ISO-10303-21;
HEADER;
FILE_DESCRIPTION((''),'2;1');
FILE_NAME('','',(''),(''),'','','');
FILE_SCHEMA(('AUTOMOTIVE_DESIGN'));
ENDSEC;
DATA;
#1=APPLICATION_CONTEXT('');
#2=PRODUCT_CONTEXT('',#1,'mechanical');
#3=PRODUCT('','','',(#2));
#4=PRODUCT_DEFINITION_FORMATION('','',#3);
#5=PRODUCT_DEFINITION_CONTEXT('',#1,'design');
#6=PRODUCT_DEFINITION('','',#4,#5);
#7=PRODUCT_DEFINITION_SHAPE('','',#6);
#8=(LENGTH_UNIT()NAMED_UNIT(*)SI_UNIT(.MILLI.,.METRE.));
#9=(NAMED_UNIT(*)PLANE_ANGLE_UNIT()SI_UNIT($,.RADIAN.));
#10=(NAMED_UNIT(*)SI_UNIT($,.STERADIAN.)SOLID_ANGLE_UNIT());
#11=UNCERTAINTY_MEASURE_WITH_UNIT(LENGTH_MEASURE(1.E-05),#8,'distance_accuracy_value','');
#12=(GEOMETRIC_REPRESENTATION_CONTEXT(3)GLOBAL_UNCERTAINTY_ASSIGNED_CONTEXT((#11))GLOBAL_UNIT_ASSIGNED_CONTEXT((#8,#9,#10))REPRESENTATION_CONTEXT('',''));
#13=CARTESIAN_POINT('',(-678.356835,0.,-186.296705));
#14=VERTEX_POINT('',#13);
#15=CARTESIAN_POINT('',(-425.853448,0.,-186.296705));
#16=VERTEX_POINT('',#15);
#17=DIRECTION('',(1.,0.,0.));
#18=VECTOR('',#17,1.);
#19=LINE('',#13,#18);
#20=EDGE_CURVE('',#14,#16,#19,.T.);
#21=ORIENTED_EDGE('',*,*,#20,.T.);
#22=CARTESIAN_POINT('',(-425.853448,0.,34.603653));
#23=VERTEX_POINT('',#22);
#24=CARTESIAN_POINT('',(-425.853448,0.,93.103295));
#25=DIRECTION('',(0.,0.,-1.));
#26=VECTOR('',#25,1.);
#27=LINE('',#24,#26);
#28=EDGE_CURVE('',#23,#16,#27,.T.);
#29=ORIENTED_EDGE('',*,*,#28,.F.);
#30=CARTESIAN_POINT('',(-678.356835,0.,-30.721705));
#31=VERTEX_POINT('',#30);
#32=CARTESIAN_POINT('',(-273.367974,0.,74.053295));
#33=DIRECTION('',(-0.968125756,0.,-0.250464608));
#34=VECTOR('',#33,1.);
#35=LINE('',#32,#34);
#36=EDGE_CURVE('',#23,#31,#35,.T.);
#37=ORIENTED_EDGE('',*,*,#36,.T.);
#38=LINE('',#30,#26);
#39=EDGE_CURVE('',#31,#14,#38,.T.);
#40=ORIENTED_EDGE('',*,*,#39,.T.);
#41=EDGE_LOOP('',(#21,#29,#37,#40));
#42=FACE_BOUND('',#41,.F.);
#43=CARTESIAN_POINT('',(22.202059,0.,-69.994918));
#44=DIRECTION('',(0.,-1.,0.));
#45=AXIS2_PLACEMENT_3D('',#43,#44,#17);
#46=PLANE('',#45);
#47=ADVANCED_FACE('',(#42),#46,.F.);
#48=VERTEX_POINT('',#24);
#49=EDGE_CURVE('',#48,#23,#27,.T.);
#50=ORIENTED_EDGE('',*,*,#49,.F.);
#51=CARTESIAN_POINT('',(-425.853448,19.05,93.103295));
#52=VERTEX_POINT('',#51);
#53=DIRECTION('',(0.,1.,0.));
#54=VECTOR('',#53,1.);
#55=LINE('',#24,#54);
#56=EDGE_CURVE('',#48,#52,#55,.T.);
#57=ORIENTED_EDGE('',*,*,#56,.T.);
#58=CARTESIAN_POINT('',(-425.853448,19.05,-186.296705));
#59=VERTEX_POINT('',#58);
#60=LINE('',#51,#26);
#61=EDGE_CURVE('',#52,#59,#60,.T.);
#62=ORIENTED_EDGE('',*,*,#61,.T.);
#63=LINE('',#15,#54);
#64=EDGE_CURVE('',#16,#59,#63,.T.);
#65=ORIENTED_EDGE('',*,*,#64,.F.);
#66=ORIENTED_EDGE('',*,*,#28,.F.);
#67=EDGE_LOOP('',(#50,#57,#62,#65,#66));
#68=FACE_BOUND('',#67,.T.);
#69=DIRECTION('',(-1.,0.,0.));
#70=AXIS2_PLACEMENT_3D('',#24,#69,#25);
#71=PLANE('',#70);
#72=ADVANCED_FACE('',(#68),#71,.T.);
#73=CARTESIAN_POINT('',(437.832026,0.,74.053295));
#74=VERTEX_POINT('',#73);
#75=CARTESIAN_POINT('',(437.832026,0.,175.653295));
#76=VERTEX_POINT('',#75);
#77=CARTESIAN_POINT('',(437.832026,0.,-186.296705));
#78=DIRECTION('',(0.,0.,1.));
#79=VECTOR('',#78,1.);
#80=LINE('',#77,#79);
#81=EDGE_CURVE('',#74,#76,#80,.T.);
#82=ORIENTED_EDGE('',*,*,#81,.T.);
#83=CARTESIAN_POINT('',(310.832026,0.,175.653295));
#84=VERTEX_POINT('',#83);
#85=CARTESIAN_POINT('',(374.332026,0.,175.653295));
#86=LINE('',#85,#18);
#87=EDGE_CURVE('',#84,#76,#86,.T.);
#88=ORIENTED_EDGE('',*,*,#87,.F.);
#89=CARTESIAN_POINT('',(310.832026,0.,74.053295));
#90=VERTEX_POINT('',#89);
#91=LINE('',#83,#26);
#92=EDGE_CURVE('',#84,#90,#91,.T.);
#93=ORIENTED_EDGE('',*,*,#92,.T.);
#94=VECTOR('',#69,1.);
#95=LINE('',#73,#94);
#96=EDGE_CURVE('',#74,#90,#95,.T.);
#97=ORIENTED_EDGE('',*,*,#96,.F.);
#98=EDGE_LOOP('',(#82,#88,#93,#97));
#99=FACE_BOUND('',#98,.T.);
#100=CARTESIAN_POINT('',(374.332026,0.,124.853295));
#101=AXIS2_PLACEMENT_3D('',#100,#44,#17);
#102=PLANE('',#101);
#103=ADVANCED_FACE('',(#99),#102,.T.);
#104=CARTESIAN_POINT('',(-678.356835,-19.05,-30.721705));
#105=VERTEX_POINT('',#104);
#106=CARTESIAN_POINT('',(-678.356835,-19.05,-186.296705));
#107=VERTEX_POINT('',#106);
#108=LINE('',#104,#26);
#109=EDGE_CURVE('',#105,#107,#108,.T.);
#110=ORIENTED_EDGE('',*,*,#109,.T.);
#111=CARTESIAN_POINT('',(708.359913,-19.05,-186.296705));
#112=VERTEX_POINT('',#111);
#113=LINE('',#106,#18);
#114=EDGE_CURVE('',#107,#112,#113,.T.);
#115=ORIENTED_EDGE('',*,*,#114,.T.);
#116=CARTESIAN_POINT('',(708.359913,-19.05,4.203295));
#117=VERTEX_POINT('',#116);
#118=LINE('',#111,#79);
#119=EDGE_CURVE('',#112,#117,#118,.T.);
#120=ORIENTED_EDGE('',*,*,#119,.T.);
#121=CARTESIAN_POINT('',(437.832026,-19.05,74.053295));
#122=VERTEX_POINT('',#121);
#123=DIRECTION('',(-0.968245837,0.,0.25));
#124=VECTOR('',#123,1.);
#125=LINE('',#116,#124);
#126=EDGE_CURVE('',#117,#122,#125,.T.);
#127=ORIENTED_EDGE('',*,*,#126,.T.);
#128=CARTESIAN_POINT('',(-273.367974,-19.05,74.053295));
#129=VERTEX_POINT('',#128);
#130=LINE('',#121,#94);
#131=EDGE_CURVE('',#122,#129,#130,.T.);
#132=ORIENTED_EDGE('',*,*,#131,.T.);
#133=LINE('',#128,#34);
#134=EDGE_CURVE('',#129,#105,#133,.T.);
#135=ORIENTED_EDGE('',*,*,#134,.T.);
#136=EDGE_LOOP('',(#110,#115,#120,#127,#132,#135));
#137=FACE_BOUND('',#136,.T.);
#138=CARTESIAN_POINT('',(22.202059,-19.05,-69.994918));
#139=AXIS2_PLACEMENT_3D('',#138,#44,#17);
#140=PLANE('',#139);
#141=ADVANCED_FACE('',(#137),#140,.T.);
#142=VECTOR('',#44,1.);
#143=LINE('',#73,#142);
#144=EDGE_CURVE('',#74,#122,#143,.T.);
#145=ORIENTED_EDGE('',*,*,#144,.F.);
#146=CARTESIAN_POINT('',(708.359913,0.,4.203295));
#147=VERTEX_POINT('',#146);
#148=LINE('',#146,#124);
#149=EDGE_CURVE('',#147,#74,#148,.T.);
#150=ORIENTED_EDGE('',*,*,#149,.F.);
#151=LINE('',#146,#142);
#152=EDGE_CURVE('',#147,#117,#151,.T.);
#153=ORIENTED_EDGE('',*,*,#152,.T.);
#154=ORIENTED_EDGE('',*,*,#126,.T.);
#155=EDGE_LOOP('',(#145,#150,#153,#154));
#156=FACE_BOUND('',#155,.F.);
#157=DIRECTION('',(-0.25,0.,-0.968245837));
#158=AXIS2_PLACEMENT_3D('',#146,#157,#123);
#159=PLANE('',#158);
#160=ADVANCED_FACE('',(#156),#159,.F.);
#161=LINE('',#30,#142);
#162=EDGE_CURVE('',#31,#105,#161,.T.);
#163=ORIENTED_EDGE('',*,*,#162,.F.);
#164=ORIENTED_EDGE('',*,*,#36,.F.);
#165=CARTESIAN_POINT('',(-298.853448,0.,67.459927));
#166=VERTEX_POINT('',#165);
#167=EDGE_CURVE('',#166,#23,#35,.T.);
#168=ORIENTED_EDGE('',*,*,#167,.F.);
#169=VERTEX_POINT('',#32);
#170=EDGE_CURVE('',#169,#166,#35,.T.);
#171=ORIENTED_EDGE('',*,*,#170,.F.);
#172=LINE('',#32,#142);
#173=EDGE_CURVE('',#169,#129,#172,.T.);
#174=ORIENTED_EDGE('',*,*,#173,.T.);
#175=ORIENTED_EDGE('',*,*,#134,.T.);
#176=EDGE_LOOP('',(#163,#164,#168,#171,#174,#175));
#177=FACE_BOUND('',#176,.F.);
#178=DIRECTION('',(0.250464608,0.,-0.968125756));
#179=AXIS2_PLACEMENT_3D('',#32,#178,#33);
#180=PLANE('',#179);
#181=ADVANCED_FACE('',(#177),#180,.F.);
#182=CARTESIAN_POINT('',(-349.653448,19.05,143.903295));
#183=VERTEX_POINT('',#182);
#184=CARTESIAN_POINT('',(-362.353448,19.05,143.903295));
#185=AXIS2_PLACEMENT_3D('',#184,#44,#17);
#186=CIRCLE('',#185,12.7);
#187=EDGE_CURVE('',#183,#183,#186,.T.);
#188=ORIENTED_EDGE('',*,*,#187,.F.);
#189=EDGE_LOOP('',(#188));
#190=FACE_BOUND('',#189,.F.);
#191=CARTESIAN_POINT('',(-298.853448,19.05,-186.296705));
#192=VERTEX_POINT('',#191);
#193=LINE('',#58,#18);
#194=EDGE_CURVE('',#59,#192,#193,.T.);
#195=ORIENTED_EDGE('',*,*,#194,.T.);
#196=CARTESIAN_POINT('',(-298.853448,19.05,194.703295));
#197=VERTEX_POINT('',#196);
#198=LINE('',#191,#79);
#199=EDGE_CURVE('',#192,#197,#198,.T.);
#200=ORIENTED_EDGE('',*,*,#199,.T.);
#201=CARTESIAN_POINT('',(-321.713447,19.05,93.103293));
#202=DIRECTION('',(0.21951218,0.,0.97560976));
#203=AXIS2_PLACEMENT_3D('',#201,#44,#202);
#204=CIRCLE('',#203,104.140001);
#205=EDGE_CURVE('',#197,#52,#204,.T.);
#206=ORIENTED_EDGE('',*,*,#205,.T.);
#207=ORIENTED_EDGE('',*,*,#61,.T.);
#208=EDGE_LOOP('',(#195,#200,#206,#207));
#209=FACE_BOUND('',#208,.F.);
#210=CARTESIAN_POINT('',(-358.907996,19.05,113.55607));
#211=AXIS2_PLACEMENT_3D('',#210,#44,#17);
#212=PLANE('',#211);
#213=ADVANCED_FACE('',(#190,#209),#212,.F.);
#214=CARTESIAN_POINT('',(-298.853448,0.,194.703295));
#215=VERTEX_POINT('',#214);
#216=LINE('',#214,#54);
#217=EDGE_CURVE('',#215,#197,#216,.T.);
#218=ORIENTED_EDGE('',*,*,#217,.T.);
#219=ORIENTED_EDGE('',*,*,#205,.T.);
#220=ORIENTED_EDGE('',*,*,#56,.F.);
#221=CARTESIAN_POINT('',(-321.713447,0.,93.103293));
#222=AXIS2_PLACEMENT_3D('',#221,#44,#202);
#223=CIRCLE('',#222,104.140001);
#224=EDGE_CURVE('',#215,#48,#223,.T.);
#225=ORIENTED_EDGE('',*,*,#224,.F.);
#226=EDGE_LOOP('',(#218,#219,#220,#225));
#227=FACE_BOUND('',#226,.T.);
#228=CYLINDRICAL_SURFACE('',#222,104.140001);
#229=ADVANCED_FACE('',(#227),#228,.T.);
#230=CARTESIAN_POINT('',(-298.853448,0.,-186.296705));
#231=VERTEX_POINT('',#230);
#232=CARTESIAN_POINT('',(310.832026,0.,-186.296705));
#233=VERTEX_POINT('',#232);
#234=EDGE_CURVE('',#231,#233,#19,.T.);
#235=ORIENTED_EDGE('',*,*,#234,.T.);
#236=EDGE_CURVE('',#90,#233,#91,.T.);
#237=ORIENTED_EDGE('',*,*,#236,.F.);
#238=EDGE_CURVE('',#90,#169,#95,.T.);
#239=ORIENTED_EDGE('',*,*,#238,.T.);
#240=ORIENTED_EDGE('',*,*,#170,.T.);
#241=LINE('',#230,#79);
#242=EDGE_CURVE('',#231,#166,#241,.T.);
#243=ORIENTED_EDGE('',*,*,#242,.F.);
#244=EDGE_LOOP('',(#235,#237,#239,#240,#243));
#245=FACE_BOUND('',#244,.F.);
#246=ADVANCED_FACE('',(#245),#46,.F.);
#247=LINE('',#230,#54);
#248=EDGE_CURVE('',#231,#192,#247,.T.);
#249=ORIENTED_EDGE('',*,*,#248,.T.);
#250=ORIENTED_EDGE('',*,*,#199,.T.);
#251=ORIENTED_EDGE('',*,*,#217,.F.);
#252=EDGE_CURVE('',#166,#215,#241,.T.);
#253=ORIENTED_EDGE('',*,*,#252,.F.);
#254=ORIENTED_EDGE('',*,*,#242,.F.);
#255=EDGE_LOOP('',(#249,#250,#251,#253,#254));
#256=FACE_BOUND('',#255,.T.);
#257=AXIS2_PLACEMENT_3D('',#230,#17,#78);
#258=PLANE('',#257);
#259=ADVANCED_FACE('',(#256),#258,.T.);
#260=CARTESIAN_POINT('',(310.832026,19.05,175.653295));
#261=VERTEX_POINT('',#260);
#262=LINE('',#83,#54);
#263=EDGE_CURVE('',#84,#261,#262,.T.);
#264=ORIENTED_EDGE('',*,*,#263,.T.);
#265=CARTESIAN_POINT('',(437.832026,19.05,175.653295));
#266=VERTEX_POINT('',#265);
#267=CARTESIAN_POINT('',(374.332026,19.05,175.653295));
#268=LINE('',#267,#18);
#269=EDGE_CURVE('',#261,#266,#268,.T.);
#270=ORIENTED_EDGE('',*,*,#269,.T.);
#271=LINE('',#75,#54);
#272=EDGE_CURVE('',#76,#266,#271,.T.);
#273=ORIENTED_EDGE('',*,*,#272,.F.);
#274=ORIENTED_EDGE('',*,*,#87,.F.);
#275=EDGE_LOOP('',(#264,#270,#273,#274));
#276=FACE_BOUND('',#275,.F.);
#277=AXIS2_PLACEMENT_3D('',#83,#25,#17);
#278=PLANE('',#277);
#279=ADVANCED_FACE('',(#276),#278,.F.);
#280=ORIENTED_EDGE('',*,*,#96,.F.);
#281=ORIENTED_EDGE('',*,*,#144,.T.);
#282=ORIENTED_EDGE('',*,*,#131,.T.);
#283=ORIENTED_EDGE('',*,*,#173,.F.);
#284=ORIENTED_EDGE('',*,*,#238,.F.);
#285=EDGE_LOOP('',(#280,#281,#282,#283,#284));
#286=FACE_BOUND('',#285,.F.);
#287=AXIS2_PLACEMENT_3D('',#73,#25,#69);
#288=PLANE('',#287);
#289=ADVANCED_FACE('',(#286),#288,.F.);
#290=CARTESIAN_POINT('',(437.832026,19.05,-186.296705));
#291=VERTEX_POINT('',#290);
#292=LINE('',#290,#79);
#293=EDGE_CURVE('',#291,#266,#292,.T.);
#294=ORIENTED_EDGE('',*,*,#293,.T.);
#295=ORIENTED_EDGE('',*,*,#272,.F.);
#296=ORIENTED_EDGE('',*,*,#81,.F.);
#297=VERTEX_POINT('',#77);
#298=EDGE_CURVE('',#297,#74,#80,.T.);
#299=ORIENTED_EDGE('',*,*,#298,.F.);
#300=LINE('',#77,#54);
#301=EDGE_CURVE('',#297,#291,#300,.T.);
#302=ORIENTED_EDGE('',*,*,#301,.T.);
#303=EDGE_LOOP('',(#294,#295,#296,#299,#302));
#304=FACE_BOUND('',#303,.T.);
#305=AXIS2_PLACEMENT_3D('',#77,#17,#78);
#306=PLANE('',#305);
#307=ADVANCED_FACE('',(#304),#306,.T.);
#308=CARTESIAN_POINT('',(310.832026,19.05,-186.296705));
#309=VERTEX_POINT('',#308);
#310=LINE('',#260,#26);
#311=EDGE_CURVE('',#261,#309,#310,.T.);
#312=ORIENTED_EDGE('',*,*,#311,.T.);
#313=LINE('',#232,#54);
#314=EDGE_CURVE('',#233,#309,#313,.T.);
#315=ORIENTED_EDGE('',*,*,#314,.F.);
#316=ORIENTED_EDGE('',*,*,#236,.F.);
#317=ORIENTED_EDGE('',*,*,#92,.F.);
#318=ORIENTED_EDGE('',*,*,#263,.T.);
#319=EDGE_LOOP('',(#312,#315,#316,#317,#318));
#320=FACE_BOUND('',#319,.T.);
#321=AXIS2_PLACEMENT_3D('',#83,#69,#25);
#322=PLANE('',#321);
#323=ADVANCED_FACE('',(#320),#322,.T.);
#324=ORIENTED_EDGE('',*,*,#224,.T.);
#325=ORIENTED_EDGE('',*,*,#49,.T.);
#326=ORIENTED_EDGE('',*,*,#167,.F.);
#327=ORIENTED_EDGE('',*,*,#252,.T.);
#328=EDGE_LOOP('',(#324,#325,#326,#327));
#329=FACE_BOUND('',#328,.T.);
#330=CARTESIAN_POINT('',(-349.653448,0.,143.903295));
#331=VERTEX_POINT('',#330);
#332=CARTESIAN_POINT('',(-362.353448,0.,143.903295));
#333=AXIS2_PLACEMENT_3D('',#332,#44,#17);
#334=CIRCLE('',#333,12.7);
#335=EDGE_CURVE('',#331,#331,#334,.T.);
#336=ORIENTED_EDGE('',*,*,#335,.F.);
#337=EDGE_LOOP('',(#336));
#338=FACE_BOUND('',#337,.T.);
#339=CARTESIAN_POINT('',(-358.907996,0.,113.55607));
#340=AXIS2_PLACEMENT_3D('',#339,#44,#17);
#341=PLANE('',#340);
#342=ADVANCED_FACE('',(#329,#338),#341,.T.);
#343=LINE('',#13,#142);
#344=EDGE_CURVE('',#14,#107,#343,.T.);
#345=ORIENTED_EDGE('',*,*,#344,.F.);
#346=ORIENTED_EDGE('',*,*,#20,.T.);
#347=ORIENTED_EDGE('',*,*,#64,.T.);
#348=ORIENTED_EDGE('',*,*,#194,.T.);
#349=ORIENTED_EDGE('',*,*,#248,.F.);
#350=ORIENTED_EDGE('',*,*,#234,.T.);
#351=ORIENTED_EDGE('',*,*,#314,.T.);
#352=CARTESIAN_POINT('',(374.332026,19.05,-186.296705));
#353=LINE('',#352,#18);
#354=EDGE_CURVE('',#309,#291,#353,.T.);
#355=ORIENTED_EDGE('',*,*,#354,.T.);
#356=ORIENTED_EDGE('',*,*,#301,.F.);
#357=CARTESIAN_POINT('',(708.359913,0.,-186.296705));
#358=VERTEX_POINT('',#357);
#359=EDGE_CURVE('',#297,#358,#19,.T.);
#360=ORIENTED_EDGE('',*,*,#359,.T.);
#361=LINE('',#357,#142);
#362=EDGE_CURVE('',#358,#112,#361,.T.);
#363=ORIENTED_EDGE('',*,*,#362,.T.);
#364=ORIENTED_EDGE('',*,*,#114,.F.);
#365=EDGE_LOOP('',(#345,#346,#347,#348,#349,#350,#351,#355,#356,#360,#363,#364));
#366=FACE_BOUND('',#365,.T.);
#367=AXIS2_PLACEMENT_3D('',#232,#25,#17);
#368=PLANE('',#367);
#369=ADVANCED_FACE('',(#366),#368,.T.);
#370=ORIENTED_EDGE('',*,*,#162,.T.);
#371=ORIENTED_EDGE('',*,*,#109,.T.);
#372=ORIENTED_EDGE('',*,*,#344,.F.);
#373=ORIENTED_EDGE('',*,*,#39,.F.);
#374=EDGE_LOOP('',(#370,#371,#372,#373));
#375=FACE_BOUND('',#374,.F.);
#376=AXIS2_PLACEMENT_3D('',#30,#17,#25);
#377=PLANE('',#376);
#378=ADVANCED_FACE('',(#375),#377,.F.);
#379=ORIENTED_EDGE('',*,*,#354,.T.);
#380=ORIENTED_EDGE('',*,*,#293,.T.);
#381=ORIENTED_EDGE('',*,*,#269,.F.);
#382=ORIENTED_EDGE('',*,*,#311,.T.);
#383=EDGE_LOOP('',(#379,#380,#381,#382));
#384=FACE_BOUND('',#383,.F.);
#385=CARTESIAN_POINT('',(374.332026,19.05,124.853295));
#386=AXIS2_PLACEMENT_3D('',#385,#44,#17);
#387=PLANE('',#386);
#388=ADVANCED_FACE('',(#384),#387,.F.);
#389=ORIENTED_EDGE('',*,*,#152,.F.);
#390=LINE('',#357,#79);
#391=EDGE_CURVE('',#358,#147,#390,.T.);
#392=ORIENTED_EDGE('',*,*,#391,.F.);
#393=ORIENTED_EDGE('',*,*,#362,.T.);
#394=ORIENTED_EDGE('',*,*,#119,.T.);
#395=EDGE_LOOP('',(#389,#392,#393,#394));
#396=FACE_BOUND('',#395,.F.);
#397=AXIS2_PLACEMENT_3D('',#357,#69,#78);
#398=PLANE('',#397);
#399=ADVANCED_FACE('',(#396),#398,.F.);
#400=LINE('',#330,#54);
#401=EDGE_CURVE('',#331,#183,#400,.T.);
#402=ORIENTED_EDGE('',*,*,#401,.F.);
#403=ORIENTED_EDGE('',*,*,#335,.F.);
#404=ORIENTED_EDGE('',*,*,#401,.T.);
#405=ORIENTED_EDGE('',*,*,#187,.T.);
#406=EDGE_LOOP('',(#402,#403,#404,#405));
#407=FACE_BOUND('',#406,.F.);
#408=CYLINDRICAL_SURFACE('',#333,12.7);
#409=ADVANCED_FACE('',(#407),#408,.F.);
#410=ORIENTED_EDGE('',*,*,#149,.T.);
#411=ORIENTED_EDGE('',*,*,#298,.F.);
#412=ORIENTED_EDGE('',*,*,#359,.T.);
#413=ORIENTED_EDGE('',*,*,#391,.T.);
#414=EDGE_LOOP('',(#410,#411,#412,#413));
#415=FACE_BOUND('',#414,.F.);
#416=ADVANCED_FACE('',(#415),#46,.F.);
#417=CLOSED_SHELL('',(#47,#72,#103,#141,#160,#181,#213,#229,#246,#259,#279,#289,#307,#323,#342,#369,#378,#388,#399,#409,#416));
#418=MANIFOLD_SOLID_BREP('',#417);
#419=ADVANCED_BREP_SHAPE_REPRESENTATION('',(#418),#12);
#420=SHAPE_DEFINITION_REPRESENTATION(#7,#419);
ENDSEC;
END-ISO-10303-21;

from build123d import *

# Parameters (mm, degrees)
F3_DEPTH = 19.05
F1_R     = 12.7
F4_DEPTH = 19.05
F2_W     = 127
F2_H     = 101.6
F2_H_2   = 260.35
F5_DEPTH = 19.05


with BuildPart() as f3:
    # F0 (on Front) → F3 (new body)
    with BuildSketch(Plane.XZ):
        Polygon((-678.356835, -30.721705), (-678.356835, -186.296705), (708.359913, -186.296705), (708.359913, 4.203295), (437.832026, 74.053295), (-273.367974, 74.053295), align=None)
    extrude(amount=F3_DEPTH)

    # F1 (on face) → F4 (join)
    with BuildSketch(Plane.XZ):
        with BuildLine():
            Line((-425.853448, 34.603653), (-298.853448, 67.459927))
            Line((-298.853448, 67.459927), (-298.853448, 194.703295))
            ThreePointArc((-298.853448, 194.703295), (-386.76919, 174.422972), (-425.853448, 93.103295))
            Line((-425.853448, 93.103295), (-425.853448, 34.603653))
        make_face()
        with Locations((-362.353448, 143.903295)):
            Circle(F1_R, mode=Mode.SUBTRACT)
        Polygon((-425.853448, -186.296705), (-298.853448, -186.296705), (-298.853448, 67.459927), (-425.853448, 34.603653), align=None)
    extrude(amount=-F4_DEPTH)

    # F2 (on face) → F5 (join)
    with BuildSketch(Plane.XZ):
        with Locations((374.332026, 124.853295)):
            Rectangle(F2_W, F2_H)
        with Locations((374.332026, -56.121705)):
            Rectangle(F2_W, F2_H_2)
    extrude(amount=-F5_DEPTH)


solid = f3.part
